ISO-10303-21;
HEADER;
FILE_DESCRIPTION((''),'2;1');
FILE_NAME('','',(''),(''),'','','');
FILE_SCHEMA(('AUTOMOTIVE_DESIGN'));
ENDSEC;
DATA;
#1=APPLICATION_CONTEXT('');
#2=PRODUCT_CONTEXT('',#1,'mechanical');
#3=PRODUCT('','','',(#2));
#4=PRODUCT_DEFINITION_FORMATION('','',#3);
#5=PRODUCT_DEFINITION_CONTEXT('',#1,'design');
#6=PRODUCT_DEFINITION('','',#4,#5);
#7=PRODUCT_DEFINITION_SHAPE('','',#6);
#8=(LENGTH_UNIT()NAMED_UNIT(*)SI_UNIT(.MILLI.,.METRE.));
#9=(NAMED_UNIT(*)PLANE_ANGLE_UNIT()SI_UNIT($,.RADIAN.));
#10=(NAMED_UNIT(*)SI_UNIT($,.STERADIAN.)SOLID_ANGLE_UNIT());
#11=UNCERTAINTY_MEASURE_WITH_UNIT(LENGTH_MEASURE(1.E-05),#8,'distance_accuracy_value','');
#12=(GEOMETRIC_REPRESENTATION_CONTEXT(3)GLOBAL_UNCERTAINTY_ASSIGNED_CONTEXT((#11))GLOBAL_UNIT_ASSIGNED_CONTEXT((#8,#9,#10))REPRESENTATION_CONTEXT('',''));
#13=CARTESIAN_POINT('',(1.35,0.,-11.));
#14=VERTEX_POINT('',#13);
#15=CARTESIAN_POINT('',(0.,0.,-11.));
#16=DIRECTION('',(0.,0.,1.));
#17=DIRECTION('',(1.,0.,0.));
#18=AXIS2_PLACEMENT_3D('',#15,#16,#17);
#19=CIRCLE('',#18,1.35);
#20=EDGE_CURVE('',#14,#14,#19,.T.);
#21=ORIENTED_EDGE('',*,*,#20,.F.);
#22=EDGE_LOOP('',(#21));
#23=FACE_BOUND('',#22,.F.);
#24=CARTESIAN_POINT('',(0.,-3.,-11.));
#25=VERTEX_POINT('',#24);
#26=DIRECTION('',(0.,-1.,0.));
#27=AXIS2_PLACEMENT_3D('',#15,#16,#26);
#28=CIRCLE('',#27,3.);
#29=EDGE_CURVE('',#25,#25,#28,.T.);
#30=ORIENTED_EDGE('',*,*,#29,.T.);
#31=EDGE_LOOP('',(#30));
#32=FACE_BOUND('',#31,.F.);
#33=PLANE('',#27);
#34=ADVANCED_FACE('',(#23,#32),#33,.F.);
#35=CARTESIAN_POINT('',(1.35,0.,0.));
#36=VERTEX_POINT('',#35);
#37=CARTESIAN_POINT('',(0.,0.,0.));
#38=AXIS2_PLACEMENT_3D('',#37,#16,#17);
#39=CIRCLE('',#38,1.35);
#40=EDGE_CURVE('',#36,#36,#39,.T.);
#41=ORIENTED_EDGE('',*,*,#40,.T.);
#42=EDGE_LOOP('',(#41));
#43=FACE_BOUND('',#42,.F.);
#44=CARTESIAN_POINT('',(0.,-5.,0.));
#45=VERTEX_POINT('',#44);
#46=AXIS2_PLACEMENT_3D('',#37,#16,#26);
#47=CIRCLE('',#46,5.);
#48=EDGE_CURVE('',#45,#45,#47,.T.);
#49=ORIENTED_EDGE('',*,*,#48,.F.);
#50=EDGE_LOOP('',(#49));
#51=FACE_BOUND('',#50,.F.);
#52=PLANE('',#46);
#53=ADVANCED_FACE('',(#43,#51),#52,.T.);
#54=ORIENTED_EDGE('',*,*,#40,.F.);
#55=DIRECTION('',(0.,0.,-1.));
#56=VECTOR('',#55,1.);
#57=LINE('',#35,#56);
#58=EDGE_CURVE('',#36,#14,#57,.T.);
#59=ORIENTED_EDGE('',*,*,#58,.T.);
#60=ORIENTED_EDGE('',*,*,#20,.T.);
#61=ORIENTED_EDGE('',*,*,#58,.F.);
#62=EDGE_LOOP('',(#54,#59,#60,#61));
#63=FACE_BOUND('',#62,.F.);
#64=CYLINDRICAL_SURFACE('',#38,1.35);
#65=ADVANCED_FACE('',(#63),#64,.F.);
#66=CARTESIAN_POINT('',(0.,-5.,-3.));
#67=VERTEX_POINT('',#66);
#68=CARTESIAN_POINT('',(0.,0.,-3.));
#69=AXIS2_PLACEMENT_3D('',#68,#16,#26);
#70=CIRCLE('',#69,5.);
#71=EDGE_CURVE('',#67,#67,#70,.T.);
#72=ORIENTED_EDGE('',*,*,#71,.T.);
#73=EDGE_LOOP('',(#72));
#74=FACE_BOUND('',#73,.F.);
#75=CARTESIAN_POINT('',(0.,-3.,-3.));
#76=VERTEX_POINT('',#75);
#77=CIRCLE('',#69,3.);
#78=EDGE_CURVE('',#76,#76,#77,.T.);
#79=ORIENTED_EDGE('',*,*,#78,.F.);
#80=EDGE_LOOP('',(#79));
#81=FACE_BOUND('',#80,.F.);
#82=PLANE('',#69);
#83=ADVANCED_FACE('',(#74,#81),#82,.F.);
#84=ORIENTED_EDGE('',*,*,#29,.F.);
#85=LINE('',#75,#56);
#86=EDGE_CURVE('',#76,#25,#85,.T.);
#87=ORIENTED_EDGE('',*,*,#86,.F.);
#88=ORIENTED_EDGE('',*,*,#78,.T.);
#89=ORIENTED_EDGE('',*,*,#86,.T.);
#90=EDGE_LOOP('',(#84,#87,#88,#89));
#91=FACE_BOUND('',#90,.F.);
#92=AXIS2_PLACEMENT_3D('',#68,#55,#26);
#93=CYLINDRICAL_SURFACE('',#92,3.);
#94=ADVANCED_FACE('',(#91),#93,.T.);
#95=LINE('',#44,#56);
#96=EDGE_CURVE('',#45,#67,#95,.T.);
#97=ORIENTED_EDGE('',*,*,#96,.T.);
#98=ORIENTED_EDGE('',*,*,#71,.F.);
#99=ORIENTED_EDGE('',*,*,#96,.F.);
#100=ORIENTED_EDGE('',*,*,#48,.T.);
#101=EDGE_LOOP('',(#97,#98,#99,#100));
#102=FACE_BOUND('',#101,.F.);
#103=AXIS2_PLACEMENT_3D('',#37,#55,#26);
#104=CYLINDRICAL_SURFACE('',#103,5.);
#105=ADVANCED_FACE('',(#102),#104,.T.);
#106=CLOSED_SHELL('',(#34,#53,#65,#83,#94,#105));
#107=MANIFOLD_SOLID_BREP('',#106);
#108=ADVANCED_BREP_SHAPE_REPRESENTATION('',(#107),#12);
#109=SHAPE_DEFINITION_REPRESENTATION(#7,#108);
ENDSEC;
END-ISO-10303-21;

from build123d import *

# Parameters (mm, degrees)
F2_R     = 1.35
F3_DEPTH = 21.8


with BuildPart() as f1:
    # F0 (on Right) → F1 (revolve)
    with BuildSketch(Plane.YZ):
        Polygon((0, -11), (0, 0), (-5, 0), (-5, -3), (-3, -3), (-3, -11), align=None)
    revolve(axis=Axis((0, 0, -5.5), (0, 0, 1)))

    # F2 (on face) → F3 (cut)
    with BuildSketch(Plane.XY):
        Circle(F2_R)
    extrude(amount=-F3_DEPTH, mode=Mode.SUBTRACT)


solid = f1.part
